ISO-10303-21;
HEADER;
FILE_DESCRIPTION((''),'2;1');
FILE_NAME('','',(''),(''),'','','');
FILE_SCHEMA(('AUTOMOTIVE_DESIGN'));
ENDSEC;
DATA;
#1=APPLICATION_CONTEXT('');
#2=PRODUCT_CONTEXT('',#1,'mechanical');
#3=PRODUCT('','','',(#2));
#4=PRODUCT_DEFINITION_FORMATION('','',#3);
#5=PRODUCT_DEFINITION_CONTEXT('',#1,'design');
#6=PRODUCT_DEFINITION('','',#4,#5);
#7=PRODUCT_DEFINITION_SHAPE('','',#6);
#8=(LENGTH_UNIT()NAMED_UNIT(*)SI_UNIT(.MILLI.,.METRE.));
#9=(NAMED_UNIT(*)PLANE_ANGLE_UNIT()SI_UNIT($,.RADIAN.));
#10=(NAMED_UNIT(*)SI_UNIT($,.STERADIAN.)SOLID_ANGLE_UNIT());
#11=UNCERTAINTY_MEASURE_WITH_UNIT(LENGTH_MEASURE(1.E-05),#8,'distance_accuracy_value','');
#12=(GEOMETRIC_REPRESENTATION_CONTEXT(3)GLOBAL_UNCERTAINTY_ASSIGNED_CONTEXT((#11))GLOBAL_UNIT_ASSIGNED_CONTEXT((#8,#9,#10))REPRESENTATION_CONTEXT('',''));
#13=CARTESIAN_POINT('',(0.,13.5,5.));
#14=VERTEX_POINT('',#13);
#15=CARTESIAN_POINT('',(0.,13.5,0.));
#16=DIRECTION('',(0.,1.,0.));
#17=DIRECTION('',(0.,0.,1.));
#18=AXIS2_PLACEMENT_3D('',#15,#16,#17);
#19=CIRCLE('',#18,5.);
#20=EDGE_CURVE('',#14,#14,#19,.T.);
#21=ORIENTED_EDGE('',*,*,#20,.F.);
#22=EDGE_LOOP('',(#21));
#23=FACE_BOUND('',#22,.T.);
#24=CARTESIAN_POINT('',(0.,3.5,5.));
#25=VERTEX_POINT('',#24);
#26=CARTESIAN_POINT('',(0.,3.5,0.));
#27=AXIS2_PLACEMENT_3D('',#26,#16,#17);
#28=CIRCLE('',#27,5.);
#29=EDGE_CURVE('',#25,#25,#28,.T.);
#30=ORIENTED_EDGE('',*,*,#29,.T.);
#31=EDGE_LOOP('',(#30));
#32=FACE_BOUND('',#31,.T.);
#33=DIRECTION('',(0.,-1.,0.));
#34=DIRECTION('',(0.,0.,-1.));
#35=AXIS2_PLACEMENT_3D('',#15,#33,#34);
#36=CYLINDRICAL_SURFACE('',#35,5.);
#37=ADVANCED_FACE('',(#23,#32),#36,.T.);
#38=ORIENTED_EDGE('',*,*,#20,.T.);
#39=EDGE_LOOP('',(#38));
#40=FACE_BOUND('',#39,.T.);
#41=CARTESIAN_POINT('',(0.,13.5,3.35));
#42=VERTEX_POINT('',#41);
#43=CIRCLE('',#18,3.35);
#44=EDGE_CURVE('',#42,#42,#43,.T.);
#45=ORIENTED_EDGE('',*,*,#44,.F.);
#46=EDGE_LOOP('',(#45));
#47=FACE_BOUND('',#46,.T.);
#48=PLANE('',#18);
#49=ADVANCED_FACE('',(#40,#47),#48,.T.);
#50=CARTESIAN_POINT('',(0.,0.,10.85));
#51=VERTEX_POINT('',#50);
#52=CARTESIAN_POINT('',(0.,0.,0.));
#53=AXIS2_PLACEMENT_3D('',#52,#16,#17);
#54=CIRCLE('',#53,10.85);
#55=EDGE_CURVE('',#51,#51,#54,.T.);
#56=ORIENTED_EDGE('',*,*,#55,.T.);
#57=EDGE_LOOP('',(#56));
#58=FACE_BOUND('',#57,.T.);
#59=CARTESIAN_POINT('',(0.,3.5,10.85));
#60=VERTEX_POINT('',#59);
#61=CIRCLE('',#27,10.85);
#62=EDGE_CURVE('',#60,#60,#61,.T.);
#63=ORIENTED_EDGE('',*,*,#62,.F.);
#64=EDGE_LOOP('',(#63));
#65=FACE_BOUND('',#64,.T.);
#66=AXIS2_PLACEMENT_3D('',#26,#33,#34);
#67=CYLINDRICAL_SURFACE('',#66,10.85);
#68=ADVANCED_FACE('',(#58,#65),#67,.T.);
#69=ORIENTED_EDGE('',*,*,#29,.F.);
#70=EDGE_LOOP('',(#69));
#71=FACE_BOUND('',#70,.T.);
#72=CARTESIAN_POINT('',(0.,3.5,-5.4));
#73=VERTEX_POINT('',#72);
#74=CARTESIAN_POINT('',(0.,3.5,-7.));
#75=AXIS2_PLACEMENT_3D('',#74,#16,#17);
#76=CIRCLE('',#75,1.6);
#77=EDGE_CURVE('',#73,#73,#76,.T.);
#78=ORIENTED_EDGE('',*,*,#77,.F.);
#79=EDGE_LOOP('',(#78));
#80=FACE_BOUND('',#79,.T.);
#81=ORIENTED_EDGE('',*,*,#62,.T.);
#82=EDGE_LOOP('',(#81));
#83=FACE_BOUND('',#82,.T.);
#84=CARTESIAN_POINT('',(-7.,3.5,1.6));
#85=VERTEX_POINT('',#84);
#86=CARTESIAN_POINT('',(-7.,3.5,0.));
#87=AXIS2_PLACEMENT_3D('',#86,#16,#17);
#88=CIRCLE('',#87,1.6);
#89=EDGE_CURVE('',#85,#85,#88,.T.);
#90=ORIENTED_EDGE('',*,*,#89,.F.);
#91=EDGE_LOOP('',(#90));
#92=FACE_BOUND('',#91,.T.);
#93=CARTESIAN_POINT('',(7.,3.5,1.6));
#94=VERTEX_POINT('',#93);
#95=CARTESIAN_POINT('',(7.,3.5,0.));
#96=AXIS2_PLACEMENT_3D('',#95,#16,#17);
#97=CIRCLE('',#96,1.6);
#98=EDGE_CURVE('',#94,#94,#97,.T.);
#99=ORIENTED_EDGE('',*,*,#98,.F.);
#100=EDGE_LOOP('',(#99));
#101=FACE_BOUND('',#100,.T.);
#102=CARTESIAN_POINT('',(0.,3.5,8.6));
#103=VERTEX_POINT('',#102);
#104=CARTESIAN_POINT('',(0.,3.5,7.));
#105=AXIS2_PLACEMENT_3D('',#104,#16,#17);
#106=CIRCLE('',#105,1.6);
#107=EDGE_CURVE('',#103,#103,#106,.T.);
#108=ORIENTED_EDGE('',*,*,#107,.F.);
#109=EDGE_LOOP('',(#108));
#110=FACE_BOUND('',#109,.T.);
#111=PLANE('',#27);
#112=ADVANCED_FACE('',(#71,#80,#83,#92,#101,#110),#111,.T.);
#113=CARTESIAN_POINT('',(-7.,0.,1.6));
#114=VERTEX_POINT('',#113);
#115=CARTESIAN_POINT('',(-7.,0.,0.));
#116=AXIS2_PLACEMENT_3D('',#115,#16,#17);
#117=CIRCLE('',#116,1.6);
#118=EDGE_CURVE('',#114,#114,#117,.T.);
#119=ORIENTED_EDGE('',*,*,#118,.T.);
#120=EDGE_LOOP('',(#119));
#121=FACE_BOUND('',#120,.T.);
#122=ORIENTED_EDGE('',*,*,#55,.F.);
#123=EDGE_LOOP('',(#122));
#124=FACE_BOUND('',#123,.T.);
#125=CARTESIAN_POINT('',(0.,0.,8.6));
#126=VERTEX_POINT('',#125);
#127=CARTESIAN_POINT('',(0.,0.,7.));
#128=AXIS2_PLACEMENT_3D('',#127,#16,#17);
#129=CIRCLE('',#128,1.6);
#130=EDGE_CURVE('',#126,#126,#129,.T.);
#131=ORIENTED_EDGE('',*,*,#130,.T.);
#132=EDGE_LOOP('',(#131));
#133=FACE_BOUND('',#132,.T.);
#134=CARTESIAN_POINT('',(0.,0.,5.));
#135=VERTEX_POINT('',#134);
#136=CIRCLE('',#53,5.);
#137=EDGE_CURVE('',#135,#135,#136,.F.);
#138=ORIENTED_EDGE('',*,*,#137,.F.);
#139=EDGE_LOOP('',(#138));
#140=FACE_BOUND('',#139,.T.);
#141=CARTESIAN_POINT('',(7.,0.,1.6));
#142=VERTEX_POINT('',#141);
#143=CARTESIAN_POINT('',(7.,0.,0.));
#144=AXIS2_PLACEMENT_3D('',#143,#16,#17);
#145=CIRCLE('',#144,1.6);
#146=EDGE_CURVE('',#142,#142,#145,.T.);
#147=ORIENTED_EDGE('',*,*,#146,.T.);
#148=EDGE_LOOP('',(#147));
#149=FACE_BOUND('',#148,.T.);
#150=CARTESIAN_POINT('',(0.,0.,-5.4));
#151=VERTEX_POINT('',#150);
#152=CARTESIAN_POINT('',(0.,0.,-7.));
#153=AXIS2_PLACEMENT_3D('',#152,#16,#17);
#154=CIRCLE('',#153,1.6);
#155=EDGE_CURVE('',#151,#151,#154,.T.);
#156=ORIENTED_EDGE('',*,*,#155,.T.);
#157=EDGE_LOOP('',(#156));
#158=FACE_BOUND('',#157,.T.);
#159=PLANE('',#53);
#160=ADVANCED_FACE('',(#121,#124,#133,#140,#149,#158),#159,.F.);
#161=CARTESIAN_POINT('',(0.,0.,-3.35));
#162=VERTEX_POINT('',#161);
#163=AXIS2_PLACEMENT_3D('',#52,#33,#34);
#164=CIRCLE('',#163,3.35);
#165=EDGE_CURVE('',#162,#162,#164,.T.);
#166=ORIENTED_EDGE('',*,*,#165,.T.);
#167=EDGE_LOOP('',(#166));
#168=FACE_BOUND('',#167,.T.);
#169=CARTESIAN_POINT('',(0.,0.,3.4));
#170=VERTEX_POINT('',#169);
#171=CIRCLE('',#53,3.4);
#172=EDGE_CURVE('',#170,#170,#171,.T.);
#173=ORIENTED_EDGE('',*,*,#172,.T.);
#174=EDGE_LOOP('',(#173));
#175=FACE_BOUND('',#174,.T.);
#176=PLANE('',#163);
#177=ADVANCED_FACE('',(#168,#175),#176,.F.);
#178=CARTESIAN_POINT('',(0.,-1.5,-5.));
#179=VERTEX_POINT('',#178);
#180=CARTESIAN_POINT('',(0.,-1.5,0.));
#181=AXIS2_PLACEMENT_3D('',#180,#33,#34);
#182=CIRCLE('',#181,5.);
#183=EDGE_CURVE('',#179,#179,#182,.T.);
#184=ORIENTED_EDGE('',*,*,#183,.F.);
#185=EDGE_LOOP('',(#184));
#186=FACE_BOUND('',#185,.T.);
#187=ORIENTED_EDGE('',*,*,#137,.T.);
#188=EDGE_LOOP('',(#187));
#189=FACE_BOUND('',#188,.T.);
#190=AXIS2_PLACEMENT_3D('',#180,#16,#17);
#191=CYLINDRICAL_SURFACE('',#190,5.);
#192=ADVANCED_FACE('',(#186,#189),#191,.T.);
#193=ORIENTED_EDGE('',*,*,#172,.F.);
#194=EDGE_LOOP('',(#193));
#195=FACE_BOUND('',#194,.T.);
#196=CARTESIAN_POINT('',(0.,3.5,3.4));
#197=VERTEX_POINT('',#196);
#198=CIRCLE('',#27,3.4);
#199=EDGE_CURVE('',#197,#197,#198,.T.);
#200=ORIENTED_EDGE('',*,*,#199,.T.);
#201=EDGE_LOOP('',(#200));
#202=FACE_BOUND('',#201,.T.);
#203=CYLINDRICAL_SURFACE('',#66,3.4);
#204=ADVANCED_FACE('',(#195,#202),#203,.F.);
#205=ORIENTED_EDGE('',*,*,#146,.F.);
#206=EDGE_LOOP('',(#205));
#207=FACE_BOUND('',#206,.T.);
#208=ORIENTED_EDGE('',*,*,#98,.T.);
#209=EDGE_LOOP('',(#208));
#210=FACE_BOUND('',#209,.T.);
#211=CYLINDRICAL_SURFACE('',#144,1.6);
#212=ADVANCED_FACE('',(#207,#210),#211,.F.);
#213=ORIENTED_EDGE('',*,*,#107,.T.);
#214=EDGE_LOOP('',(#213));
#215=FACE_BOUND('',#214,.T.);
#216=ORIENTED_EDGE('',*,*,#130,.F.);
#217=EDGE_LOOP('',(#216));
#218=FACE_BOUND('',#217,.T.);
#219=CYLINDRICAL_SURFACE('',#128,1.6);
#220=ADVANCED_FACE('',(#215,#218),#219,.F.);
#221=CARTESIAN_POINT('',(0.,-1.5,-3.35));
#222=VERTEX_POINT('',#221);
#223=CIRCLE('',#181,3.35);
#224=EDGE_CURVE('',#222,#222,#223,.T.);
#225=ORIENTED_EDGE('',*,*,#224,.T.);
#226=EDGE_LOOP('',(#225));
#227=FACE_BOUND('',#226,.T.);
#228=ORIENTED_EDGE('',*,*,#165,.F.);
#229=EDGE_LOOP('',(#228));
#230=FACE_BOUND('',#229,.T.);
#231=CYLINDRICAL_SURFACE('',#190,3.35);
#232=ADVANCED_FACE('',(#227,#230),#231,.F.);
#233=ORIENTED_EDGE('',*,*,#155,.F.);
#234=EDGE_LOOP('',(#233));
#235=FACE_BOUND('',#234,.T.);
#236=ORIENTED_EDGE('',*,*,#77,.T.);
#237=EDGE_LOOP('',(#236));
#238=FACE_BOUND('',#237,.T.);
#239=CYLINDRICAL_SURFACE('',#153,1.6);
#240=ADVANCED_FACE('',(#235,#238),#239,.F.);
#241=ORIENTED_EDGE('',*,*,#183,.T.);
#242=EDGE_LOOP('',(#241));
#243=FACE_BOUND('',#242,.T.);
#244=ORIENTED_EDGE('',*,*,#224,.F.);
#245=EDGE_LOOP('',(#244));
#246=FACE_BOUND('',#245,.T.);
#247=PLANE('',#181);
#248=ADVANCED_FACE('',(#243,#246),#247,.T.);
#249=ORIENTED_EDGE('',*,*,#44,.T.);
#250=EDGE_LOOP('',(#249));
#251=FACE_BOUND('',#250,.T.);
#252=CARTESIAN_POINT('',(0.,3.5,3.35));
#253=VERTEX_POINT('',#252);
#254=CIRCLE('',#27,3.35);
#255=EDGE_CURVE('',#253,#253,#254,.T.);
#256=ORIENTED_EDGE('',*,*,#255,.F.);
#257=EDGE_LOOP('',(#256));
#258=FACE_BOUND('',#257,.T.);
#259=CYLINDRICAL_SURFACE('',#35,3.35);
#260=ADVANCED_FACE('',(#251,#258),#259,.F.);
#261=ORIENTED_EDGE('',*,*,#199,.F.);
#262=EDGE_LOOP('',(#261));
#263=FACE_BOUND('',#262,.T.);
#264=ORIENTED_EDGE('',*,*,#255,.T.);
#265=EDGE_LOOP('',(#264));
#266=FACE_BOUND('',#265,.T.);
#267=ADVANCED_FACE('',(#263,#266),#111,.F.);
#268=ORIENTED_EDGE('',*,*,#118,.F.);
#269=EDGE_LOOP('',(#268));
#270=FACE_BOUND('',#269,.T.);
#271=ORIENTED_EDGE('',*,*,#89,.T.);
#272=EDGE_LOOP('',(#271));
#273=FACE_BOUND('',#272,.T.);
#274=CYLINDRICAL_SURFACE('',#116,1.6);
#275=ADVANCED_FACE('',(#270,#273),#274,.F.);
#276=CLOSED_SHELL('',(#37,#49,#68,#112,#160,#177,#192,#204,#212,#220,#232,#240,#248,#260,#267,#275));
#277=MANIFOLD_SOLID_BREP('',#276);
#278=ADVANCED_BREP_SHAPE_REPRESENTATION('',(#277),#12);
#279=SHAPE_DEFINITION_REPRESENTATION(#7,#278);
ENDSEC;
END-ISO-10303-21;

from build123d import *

# Parameters (mm, degrees)
SKETCH_1_R          = 10.85
SKETCH_1_R_2        = 3.4
EXTRUDE_1_DEPTH     = 3.5
SKETCH_2_R          = 5
SKETCH_2_R_2        = 3.35
EXTRUDE_2_DEPTH     = 10
SKETCH_3_R          = 1.6
CUT_EXTRUDE_1_DEPTH = 19.315157657
EXTRUDE_START       = 1.5
SKETCH_4_R          = 5
SKETCH_4_R_2        = 3.35
EXTRUDE_3_DEPTH     = 1.5


with BuildPart() as part:
    # Эскиз1 → Бобышка-Вытянуть1 (new body)
    with BuildSketch(Plane(origin=(0, 0, 0), x_dir=(1, 0, 0), z_dir=(0, 1, 0))):
        with Locations(Location((0, 0, 0), (0, 0, 270))):
            Circle(SKETCH_1_R)
        with Locations(Location((0, 0, 0), (0, 0, 270))):
            Circle(SKETCH_1_R_2, mode=Mode.SUBTRACT)
    extrude(amount=EXTRUDE_1_DEPTH)

    # Эскиз2 → Бобышка-Вытянуть2 (add)
    with BuildSketch(Plane(origin=(0, 3.5, 0), x_dir=(1, 0, 0), z_dir=(0, 1, 0))):
        with Locations(Location((0, 0, 0), (0, 0, 270))):
            Circle(SKETCH_2_R)
        with Locations(Location((0, 0, 0), (0, 0, 270))):
            Circle(SKETCH_2_R_2, mode=Mode.SUBTRACT)
    extrude(amount=EXTRUDE_2_DEPTH)

    # Эскиз3 → Вырез-Вытянуть1 (cut, through all)
    with BuildSketch(Plane(origin=(0, 3.5, 0), x_dir=(1, 0, 0), z_dir=(0, 1, 0))):
        with Locations(Location((0, 7, 0), (0, 0, 270))):
            Circle(SKETCH_3_R)
        with Locations(Location((-7, 0, 0), (0, 0, 270))):
            Circle(SKETCH_3_R)
        with Locations(Location((0, -7, 0), (0, 0, 270))):
            Circle(SKETCH_3_R)
        with Locations(Location((7, 0, 0), (0, 0, 270))):
            Circle(SKETCH_3_R)
    extrude(amount=-CUT_EXTRUDE_1_DEPTH, mode=Mode.SUBTRACT)

    # Эскиз4 → Бобышка-Вытянуть3 (add)
    with BuildSketch(Plane(origin=(0, 0, 0), x_dir=(-1, 0, 0), z_dir=(0, -1, 0)).offset(EXTRUDE_START)):
        with Locations(Location((0, 0, 0), (0, 0, 270))):
            Circle(SKETCH_4_R)
        with Locations(Location((0, 0, 0), (0, 0, 270))):
            Circle(SKETCH_4_R_2, mode=Mode.SUBTRACT)
    extrude(amount=-EXTRUDE_3_DEPTH)


solid = part.part
